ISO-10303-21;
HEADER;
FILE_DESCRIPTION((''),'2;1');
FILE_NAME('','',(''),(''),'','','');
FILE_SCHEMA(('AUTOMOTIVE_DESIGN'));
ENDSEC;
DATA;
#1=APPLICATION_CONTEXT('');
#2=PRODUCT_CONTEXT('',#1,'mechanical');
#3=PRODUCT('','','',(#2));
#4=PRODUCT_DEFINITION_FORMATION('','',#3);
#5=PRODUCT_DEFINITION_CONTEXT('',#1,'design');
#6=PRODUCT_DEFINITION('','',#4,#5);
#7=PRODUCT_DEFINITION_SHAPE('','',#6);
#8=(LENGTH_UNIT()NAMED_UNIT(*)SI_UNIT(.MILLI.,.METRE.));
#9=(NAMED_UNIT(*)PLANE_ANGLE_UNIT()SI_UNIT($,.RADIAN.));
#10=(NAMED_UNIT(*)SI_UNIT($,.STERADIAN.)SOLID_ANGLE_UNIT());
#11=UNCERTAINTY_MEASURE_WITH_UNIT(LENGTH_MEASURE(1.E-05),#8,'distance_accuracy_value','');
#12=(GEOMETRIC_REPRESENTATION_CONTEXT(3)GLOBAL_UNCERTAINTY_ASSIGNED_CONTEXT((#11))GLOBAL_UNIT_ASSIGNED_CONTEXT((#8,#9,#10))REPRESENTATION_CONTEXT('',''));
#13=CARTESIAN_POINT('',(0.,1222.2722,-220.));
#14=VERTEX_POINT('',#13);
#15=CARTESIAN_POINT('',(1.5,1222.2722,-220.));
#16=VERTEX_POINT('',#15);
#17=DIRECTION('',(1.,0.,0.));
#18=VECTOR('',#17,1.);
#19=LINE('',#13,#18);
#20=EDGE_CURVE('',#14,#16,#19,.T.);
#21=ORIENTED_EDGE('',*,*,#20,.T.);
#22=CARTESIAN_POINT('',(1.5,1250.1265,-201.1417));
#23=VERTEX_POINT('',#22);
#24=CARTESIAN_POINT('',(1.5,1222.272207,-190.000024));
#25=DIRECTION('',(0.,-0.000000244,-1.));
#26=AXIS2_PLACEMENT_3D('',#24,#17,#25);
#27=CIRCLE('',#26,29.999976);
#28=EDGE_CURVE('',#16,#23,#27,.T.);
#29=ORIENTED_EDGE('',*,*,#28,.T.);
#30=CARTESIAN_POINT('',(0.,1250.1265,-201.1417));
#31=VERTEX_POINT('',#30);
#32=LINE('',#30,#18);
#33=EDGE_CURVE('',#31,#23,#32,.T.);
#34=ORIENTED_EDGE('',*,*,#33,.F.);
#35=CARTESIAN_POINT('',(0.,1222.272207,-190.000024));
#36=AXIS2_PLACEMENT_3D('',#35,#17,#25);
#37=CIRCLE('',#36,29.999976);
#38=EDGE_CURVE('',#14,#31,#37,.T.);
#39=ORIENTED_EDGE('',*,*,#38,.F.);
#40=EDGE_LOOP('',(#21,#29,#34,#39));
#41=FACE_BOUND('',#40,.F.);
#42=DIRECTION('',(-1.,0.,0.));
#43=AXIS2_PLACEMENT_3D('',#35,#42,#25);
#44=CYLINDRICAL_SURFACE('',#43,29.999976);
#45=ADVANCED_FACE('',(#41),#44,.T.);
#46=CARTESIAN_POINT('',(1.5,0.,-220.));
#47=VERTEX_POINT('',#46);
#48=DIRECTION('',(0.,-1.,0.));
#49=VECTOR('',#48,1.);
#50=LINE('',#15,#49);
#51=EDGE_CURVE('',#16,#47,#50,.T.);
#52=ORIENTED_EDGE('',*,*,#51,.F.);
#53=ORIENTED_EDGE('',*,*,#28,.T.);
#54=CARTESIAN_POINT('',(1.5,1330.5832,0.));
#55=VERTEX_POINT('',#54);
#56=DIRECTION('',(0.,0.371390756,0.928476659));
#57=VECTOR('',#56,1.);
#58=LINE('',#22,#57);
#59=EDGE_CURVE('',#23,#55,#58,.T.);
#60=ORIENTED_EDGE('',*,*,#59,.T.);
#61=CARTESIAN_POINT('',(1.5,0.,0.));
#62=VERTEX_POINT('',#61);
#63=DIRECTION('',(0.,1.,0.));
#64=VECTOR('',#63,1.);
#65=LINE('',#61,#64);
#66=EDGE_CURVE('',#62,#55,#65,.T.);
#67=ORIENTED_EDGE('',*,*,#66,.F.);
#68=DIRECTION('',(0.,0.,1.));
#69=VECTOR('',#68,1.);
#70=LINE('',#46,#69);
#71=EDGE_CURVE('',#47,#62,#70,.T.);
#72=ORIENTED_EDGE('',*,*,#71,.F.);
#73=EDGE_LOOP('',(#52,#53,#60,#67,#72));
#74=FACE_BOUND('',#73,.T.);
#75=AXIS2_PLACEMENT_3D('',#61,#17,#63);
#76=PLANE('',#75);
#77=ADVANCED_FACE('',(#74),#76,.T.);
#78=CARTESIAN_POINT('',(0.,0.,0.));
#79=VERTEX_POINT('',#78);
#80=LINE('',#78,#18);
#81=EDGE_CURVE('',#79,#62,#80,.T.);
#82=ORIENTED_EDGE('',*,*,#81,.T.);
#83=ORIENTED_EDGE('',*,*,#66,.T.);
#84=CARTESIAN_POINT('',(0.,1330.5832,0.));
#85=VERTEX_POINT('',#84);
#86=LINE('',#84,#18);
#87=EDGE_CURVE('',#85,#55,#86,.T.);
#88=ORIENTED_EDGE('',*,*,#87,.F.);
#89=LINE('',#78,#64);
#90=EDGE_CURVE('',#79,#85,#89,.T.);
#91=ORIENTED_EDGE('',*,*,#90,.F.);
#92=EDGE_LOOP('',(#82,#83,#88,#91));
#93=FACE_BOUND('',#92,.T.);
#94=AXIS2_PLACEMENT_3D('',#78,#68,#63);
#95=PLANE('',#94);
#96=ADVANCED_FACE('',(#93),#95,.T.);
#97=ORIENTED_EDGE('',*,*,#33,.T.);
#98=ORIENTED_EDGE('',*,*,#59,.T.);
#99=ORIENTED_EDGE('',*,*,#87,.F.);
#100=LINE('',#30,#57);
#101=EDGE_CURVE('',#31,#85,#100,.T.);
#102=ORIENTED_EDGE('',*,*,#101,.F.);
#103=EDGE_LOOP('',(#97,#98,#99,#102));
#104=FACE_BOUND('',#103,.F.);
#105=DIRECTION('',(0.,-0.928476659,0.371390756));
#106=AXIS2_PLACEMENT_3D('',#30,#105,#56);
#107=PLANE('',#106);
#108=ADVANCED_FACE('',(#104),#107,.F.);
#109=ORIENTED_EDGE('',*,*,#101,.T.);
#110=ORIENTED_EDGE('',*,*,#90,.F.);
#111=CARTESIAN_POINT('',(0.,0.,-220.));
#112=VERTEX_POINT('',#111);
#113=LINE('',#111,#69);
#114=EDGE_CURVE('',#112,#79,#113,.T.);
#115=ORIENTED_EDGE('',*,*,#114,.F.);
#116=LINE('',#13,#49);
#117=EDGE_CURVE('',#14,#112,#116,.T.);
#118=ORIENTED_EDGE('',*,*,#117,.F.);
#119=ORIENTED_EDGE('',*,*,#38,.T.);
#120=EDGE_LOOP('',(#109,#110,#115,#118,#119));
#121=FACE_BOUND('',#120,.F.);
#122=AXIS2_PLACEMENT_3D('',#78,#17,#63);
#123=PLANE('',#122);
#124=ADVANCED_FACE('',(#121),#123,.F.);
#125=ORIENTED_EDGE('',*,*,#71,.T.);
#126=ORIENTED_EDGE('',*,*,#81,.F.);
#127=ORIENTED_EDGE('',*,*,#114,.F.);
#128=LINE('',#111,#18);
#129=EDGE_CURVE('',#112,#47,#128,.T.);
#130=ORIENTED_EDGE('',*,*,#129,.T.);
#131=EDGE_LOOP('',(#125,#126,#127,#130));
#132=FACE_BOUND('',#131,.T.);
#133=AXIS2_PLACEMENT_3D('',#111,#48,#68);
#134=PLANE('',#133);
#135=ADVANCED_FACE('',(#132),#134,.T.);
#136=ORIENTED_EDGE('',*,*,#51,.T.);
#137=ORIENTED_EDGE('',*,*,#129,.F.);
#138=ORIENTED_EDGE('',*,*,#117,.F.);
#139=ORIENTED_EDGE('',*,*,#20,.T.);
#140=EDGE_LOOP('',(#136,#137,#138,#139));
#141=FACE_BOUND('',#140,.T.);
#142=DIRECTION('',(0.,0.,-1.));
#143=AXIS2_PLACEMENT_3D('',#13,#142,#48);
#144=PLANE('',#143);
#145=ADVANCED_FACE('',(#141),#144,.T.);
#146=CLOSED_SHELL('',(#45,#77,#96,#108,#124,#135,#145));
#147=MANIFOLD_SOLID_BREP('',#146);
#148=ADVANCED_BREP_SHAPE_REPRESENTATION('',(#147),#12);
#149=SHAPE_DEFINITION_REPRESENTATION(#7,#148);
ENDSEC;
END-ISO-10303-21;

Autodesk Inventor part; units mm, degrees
ref_plane "YZ Plane" through (0, 0, 0) normal (1, 0, 0) x (0, 1, 0)
ref_plane "XZ Plane" through (0, 0, 0) normal (0, 1, 0) x (-1, 0, 0)
ref_plane "XY Plane" through (0, 0, 0) normal (0, 0, 1) x (1, 0, 0)
sketch "Sketch1" plane through (0, 0, 0) normal (1, 0, 0) x (0, 1, 0)
  line L0 (1250.1265, -201.1417) -> (1330.5832, 0)
  line L1 (0, 0) -> (1330.5832, 0)
  line L2 (0, -220) -> (0, 0)
  line L3 (1222.2722, -220) -> (0, -220)
  arc A0 (1222.2722, -220) -> (1250.1265, -201.1417) centre (1222.2722, -190) ccw
extrude "Extrusion1" add sketch "Sketch1" along normal blind 1.5
properties part number "CARCASA_ALUM_2_FLAT" material "Steel, Mild, Welded"
